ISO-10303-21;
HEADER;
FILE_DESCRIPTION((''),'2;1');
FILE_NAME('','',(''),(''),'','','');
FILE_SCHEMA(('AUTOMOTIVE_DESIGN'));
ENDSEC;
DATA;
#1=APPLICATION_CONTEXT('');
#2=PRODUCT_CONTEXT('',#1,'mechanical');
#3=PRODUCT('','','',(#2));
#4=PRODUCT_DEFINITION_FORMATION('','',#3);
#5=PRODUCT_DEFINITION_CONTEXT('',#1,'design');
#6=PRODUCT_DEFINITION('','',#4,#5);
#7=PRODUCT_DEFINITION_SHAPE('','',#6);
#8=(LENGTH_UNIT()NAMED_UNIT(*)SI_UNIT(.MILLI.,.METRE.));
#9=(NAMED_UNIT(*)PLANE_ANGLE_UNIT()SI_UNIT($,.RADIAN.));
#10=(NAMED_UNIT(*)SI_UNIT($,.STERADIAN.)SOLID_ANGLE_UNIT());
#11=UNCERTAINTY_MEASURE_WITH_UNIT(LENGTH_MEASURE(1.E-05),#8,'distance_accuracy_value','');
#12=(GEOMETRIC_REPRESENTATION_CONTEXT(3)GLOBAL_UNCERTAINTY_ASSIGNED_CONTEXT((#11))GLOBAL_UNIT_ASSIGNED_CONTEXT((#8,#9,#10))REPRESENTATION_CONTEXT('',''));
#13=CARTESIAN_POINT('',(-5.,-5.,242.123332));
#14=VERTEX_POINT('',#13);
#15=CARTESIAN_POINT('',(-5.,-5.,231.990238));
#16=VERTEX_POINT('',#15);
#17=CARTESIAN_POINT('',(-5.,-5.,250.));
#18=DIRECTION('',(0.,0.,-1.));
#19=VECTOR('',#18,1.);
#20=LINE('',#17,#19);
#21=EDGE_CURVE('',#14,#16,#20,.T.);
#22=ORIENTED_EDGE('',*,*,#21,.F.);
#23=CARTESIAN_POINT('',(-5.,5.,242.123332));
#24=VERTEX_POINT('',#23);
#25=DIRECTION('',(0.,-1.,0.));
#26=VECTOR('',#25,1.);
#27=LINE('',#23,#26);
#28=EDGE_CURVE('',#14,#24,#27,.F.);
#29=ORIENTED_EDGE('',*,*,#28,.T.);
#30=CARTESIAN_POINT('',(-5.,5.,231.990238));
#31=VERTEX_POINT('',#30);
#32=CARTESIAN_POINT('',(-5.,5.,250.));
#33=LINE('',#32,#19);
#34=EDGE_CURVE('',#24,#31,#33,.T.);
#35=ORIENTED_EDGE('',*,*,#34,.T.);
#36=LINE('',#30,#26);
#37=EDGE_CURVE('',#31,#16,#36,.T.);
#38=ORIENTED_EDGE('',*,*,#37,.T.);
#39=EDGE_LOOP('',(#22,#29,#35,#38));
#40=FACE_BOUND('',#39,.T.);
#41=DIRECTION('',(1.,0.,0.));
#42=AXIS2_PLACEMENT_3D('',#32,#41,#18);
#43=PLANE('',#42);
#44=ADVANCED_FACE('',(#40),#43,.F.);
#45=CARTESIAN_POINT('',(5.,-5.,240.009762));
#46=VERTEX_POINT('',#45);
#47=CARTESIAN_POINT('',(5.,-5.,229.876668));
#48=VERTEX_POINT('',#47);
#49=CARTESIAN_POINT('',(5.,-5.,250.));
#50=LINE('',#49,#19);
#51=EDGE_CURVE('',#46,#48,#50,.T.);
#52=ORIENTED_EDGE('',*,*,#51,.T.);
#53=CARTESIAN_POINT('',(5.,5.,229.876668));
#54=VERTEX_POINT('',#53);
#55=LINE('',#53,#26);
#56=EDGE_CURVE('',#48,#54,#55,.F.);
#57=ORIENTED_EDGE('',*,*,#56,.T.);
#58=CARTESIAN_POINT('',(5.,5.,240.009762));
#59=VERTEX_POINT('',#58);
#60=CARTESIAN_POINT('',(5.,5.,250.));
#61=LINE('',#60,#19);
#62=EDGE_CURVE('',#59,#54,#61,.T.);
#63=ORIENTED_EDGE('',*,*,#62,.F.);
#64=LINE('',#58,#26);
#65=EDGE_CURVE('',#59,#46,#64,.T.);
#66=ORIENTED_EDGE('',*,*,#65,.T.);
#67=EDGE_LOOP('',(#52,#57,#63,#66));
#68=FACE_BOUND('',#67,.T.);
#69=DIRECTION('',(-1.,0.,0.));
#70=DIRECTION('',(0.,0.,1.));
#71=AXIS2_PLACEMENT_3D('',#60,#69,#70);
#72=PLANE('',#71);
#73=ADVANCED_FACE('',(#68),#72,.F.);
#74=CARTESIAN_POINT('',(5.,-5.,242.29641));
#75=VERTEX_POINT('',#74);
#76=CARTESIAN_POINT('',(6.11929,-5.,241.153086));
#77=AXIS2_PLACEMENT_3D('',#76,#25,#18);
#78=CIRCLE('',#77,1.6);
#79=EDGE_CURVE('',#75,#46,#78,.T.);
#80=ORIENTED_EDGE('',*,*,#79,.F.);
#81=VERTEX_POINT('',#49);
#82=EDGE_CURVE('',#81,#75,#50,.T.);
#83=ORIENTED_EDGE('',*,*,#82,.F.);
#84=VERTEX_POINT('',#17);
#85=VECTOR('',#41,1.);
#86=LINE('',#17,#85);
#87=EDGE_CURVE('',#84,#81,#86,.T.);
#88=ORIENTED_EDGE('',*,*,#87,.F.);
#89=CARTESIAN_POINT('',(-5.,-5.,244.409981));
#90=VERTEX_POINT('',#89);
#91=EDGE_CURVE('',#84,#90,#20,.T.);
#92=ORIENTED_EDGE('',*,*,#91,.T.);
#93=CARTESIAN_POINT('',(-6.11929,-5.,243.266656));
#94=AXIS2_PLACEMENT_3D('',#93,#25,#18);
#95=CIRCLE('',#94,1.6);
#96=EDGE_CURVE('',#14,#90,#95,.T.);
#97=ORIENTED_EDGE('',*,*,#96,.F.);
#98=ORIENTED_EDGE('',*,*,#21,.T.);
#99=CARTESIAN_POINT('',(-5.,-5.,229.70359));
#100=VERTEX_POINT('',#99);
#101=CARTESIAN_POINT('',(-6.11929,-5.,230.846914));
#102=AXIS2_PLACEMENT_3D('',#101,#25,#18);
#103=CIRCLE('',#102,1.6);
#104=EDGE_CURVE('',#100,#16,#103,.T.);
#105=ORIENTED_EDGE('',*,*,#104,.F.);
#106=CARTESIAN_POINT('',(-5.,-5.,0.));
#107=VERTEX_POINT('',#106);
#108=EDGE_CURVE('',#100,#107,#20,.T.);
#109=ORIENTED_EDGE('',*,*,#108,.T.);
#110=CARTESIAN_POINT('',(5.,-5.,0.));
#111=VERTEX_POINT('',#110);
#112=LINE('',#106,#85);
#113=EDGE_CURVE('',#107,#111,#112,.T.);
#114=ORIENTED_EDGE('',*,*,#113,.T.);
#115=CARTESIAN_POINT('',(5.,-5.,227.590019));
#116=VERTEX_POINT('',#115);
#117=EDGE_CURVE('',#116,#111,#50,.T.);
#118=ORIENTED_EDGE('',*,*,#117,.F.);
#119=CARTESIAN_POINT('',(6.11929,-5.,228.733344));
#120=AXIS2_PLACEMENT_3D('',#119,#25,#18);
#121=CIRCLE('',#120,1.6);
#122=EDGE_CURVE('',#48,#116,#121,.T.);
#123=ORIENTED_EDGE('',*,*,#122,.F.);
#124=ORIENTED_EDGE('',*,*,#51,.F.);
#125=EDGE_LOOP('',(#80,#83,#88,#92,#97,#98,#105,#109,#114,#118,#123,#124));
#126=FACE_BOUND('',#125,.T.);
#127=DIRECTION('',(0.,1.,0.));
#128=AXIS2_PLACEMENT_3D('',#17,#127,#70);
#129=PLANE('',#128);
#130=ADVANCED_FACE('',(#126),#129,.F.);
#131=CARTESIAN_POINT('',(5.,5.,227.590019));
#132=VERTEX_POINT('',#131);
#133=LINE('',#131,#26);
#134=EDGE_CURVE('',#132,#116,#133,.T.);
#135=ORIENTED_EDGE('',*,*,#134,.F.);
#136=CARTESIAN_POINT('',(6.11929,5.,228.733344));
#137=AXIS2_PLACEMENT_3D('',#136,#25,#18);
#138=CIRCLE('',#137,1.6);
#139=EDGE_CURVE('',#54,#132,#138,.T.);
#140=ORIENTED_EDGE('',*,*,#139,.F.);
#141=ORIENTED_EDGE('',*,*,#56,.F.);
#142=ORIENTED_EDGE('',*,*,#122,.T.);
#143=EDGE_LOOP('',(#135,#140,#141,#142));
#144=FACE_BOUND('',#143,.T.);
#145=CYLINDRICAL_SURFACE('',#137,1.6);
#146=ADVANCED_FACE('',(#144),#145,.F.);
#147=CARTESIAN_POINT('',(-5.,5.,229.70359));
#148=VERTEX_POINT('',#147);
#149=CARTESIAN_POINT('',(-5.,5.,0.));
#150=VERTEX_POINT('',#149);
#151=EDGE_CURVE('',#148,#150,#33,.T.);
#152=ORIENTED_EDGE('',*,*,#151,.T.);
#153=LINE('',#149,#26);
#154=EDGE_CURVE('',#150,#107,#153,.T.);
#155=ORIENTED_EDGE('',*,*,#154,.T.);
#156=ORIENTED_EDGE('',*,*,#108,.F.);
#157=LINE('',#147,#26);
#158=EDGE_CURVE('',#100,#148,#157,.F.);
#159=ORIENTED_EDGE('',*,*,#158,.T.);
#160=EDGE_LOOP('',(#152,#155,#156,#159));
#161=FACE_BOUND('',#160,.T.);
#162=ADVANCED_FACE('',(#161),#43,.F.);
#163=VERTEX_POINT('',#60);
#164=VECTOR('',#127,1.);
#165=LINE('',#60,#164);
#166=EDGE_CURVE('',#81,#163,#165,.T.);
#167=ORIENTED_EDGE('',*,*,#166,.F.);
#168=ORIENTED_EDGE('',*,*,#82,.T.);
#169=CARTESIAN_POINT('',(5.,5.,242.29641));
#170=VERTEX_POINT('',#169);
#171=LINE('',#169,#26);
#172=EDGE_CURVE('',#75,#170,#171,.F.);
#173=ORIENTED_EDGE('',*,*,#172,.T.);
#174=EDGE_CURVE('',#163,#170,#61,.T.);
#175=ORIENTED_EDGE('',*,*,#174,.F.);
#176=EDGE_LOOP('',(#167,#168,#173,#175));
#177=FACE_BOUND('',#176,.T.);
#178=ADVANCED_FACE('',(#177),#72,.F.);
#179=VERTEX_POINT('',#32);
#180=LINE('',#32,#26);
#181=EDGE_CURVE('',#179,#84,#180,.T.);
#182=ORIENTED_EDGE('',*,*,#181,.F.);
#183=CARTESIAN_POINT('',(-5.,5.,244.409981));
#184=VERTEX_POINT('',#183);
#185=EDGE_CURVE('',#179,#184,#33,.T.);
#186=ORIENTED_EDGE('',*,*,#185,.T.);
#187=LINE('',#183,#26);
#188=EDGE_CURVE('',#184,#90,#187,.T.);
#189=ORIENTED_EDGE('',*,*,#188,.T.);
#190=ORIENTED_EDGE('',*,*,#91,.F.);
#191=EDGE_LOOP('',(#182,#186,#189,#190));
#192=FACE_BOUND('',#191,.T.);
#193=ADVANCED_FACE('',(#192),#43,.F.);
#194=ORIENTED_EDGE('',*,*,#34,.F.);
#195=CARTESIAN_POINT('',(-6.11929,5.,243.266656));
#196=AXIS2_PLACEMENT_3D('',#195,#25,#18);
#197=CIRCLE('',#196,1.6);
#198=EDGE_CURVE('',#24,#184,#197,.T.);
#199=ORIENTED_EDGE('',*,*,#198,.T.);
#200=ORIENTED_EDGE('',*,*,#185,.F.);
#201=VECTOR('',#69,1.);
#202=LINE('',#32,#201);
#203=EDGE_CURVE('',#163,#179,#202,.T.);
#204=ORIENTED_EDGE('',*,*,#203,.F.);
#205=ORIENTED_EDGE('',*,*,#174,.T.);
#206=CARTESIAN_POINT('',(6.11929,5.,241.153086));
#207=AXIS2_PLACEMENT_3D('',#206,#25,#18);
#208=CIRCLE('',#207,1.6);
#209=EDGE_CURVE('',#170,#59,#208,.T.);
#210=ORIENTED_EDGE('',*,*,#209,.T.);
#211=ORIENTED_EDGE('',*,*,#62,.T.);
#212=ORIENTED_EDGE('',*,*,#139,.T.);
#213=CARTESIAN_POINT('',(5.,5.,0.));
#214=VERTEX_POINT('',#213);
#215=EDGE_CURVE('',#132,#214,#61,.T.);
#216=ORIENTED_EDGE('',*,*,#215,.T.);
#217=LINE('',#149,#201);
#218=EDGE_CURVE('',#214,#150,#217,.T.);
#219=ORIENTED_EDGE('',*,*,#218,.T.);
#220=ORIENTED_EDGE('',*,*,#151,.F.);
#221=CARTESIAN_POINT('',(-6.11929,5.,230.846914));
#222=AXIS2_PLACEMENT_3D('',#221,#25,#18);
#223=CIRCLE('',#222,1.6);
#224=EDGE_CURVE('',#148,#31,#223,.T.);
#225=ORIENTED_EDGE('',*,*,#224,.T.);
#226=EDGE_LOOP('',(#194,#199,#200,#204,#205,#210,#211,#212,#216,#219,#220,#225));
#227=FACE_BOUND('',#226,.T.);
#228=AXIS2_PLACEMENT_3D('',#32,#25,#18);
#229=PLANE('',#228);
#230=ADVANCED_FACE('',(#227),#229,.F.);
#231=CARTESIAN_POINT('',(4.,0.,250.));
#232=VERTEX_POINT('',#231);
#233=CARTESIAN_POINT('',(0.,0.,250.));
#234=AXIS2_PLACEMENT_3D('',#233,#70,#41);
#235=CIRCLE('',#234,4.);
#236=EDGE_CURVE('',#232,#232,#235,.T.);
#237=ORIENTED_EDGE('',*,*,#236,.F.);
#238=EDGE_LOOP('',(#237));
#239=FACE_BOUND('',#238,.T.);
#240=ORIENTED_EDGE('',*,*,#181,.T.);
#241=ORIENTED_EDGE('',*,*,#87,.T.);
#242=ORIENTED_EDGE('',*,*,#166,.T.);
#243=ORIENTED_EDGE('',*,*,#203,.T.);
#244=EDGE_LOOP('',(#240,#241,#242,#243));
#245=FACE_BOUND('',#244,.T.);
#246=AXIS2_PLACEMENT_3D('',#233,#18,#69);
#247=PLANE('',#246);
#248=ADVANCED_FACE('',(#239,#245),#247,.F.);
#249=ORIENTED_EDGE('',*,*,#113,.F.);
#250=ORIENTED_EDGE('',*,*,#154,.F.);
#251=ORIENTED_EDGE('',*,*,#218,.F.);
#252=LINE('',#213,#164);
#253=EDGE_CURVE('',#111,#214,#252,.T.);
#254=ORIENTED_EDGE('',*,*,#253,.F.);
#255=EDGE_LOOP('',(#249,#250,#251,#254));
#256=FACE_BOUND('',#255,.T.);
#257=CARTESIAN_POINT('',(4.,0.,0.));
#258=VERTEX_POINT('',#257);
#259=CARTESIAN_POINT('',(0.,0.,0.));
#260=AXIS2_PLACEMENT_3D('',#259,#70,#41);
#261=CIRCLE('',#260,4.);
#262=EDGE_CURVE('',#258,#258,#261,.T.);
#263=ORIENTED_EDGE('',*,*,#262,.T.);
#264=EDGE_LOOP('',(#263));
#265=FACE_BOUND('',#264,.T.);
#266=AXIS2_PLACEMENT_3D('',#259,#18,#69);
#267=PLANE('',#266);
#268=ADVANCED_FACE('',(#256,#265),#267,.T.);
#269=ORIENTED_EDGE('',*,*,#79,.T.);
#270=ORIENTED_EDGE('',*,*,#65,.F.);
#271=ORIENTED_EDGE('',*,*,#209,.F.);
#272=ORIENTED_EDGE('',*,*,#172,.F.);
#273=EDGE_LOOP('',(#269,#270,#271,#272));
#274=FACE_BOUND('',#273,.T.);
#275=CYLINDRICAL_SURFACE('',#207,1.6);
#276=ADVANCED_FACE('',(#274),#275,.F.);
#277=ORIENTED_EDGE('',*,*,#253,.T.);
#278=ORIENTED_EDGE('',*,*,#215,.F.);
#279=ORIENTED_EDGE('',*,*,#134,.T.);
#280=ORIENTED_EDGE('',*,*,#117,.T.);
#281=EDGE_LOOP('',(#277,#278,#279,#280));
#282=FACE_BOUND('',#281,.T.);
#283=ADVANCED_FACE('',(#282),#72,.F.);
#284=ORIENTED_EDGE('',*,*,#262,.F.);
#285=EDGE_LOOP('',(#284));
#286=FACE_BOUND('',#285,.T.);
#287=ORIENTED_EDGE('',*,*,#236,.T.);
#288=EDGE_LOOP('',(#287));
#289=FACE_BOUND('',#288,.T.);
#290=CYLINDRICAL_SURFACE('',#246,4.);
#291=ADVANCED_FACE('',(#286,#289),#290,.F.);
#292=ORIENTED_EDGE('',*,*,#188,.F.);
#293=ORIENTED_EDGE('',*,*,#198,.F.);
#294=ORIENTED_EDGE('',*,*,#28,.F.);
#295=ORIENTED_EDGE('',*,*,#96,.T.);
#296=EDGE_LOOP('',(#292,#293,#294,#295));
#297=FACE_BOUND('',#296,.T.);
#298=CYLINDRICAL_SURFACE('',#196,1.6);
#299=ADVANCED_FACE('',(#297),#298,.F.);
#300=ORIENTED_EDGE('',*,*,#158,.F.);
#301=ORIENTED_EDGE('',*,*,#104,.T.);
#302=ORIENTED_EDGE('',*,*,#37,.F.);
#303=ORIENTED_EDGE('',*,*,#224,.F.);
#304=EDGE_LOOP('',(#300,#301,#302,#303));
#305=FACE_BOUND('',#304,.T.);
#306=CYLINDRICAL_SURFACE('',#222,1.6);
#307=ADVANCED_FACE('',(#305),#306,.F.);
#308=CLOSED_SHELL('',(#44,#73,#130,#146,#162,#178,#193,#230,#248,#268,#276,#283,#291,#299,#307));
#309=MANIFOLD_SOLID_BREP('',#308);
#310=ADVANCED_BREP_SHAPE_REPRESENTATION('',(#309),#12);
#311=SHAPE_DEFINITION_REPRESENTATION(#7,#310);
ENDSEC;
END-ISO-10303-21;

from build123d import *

# Parameters (mm, degrees)
SKETCH1_W           = 10
SKETCH1_H           = 10
SKETCH1_R           = 4
BOSS_EXTRUDE1_DEPTH = 250
SKETCH2_R           = 1.6
CUT_EXTRUDE1_DEPTH  = 11


with BuildPart() as part:
    # Sketch1 → Boss-Extrude1 (new body)
    with BuildSketch(Plane.XY):
        Rectangle(SKETCH1_W, SKETCH1_H)
        Circle(SKETCH1_R, mode=Mode.SUBTRACT)
    extrude(amount=BOSS_EXTRUDE1_DEPTH)

    # Sketch2 → Cut-Extrude1 (cut, through all)
    with BuildSketch(Plane.XZ.offset(5)):
        with Locations((-6.119289585, 243.266656382)):
            Circle(SKETCH2_R)
        with Locations((6.119289585, 228.733343618)):
            Circle(SKETCH2_R)
        with Locations((-6.119289585, 230.846914034)):
            Circle(SKETCH2_R)
        with Locations((6.119289585, 241.153085966)):
            Circle(SKETCH2_R)
    extrude(amount=-CUT_EXTRUDE1_DEPTH, mode=Mode.SUBTRACT)


solid = part.part
